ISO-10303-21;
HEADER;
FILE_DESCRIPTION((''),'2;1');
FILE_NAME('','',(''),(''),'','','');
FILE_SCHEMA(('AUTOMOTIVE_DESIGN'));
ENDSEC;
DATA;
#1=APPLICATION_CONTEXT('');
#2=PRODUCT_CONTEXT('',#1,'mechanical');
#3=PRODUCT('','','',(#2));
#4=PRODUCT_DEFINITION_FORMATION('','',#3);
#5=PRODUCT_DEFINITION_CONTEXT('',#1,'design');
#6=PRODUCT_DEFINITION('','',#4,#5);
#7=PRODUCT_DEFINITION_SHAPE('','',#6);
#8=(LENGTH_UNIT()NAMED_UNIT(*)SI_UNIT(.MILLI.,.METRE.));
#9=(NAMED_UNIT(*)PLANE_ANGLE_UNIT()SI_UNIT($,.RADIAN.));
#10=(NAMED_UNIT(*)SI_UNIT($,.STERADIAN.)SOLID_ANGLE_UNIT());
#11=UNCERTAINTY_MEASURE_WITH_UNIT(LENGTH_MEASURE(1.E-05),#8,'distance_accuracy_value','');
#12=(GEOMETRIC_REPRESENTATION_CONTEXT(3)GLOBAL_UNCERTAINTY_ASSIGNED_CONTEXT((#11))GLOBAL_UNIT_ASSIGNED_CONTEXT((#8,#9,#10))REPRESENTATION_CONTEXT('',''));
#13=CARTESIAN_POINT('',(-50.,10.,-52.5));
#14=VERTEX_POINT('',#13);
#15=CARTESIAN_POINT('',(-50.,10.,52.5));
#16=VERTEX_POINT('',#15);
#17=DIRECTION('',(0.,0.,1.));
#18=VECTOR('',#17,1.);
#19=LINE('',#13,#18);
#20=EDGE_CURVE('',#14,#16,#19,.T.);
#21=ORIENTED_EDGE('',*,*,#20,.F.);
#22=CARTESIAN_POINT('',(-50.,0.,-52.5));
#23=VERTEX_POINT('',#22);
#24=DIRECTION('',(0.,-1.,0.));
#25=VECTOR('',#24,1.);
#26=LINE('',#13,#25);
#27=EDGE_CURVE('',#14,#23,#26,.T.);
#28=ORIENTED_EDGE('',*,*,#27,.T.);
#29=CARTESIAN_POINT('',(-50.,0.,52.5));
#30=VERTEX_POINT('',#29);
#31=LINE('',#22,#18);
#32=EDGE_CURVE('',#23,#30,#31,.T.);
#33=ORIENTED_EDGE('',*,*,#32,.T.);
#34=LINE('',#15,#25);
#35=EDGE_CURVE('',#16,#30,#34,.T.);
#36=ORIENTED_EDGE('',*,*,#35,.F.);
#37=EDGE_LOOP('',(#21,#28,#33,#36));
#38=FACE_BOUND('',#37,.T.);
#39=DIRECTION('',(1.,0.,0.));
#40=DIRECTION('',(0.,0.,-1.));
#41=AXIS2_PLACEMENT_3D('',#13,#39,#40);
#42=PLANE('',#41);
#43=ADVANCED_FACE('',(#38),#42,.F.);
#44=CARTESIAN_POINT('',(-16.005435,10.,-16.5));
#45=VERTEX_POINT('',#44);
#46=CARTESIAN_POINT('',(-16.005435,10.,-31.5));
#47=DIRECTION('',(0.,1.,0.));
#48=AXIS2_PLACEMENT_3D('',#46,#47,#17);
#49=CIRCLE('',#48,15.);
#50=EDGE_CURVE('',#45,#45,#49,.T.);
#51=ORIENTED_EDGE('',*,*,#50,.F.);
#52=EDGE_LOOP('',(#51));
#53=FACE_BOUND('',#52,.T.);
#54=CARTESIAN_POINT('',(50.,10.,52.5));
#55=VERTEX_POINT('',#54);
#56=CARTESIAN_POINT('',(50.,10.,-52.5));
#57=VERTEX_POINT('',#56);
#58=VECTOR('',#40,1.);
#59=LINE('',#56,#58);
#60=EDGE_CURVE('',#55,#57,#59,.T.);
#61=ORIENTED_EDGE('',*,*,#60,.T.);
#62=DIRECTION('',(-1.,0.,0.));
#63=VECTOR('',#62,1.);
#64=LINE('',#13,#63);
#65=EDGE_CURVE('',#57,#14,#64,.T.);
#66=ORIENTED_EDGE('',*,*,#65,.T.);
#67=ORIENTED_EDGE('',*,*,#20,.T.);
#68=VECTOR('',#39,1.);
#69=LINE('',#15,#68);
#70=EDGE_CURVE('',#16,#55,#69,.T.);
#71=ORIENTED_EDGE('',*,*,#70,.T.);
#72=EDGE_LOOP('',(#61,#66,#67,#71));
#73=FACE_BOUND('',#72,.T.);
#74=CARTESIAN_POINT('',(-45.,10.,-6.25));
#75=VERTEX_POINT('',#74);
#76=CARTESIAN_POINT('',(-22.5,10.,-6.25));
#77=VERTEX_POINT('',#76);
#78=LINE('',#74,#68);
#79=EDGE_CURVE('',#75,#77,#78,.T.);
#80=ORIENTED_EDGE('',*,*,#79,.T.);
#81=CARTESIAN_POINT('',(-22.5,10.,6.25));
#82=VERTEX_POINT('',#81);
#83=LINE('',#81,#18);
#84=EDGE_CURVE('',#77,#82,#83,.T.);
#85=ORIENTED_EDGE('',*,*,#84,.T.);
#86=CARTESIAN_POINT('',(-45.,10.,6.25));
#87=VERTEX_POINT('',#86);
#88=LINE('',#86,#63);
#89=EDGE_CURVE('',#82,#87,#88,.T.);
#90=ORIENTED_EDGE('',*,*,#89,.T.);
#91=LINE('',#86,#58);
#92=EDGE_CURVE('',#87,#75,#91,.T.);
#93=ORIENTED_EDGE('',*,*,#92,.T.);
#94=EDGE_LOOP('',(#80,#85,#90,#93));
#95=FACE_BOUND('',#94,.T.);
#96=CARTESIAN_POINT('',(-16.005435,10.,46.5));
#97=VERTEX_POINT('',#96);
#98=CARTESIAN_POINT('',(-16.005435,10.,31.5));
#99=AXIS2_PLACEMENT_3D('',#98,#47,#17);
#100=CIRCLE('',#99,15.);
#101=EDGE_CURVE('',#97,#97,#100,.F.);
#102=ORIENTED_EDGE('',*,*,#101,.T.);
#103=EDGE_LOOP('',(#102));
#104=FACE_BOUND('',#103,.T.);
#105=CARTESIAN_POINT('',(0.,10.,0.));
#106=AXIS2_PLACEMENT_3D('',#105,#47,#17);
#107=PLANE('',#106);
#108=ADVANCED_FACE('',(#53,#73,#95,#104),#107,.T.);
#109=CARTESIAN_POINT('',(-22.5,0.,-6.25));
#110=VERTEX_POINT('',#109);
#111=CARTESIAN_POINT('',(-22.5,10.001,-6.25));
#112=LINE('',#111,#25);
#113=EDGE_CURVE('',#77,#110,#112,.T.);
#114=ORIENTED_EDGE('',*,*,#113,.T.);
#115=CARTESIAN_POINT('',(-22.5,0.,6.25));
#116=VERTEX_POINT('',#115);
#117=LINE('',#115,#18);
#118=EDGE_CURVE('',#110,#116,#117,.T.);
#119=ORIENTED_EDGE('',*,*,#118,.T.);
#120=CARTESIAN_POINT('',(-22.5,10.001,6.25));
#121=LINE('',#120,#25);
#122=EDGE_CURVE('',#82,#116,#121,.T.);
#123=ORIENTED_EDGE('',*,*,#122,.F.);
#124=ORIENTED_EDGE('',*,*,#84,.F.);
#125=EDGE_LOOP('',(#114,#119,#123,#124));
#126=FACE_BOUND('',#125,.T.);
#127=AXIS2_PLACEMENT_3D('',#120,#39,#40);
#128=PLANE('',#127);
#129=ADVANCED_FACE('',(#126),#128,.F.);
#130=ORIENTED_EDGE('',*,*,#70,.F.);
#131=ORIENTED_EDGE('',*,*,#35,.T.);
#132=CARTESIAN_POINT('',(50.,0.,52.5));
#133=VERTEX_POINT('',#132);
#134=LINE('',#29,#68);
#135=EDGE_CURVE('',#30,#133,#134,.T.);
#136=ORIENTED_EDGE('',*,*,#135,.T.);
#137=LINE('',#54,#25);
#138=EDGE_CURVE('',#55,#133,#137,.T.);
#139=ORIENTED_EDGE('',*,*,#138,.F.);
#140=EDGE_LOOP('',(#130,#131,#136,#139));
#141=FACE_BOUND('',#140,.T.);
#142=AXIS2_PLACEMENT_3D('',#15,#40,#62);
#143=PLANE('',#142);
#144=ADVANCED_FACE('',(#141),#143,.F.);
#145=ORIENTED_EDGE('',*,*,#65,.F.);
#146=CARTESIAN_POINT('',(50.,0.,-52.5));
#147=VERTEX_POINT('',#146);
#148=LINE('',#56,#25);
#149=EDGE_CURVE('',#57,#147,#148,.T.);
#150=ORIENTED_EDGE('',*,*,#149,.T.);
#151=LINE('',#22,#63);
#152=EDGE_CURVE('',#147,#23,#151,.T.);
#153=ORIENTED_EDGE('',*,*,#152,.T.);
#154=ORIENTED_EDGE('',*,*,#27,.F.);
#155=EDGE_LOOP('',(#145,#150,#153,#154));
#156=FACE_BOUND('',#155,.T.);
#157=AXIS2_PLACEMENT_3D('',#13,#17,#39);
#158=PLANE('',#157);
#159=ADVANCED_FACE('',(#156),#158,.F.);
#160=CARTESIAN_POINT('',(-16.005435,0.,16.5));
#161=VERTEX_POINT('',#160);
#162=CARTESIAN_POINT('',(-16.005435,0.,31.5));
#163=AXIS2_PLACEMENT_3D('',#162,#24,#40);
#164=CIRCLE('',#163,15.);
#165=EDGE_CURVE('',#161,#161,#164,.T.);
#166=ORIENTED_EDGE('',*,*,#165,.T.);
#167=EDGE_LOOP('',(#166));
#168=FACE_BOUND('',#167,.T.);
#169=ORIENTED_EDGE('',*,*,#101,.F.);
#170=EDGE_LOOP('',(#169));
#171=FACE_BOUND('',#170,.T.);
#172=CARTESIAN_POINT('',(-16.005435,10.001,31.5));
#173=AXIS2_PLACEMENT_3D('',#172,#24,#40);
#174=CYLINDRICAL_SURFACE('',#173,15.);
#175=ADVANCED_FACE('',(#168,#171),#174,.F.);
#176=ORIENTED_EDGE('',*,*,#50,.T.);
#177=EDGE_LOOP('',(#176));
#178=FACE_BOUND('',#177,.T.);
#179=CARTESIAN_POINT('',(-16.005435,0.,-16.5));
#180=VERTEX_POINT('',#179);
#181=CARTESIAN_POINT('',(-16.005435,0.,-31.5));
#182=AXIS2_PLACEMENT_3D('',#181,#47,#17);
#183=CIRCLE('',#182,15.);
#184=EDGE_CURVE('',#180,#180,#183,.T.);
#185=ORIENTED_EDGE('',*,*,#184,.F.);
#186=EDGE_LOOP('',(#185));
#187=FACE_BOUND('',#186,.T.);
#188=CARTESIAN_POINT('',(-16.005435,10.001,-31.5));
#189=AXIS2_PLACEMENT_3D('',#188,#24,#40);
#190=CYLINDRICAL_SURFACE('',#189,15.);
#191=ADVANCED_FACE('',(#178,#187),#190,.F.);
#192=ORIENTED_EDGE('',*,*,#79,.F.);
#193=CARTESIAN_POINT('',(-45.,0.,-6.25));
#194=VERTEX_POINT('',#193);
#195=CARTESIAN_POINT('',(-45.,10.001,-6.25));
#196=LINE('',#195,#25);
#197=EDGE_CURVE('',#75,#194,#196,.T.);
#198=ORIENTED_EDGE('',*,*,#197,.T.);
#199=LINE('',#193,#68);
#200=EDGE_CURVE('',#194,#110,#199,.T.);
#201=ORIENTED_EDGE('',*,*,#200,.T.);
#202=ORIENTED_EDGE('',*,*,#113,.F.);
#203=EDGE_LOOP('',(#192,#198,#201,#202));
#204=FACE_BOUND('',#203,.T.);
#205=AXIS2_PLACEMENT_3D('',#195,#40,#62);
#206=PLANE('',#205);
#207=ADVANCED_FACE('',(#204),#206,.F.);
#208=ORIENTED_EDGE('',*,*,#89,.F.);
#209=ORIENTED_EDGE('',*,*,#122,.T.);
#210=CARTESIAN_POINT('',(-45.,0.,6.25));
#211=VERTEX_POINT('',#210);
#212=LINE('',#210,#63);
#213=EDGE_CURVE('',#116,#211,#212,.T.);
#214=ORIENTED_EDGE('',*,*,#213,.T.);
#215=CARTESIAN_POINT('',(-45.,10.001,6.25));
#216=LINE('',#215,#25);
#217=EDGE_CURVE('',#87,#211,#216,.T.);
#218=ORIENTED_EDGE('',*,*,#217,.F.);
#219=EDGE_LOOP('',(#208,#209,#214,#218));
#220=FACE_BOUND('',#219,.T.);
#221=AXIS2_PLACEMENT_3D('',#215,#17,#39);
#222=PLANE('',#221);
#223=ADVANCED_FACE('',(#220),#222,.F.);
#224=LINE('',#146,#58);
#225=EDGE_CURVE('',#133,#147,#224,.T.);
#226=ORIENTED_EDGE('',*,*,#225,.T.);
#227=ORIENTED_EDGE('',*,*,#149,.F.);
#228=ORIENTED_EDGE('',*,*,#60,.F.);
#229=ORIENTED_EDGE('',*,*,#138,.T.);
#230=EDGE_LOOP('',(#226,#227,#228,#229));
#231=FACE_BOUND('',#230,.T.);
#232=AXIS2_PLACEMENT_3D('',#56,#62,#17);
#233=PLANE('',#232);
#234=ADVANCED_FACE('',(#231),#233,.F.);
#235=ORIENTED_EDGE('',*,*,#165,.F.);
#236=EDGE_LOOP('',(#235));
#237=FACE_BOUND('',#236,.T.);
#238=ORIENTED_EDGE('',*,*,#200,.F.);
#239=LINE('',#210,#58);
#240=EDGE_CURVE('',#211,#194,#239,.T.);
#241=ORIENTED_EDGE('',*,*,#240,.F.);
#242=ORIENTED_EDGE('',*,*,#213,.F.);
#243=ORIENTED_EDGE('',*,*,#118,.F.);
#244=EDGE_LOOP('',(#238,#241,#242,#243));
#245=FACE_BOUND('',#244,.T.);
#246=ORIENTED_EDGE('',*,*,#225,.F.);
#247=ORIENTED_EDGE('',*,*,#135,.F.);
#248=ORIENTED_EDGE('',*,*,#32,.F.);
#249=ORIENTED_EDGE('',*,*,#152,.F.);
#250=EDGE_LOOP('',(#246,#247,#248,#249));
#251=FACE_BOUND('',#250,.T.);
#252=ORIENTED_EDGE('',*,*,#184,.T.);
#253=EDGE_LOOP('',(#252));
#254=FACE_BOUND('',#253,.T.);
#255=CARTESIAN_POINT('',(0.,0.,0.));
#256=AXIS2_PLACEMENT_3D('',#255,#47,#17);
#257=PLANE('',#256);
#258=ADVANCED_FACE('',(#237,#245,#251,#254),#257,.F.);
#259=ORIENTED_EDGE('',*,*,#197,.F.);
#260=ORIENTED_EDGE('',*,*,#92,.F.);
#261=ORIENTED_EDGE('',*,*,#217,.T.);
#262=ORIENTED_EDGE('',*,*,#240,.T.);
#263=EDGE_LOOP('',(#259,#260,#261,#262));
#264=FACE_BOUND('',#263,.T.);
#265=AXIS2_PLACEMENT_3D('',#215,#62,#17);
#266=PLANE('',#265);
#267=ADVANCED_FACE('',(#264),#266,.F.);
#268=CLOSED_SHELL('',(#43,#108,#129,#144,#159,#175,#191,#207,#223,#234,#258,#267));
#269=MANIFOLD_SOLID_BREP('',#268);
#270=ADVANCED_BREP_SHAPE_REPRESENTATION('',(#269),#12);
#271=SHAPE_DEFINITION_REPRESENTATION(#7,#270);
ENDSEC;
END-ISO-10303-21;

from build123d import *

# Parameters (mm, degrees)
SKETCH2_W           = 100
SKETCH2_H           = 105
BOSS_EXTRUDE1_DEPTH = 10
CUT_EXTRUDE1_REACH  = 75.186
SKETCH5_R           = 15
SKETCH5_R_2         = 5
CUT_EXTRUDE2_REACH  = 75.186
SKETCH6_W           = 22.5
SKETCH6_H           = 12.5


with BuildPart() as part:
    # Sketch2 → Boss-Extrude1 (new body)
    with BuildSketch(Plane(origin=(0, 0, 0), x_dir=(1, 0, 0), z_dir=(0, 1, 0))):
        Rectangle(SKETCH2_W, SKETCH2_H)
    extrude(amount=BOSS_EXTRUDE1_DEPTH)

    # Sketch5 → Cut-Extrude1 (cut, up to next)
    with BuildSketch(Plane.XZ, mode=Mode.PRIVATE) as cut_extrude1_sk1:
        with Locations(Location((-16.005435425, 31.5, 0), (0, 0, 270))):
            Circle(SKETCH5_R)
    cut_extrude1_tool1 = extrude(cut_extrude1_sk1.sketch, amount=-CUT_EXTRUDE1_REACH, mode=Mode.PRIVATE) & part.part
    # Sketch5 → Cut-Extrude1 (cut, up to next)
    with BuildSketch(Plane.XZ, mode=Mode.PRIVATE) as cut_extrude1_sk2:
        with Locations(Location((-39, 0, 0), (0, 0, 270))):
            Circle(SKETCH5_R_2)
    cut_extrude1_tool2 = extrude(cut_extrude1_sk2.sketch, amount=-CUT_EXTRUDE1_REACH, mode=Mode.PRIVATE) & part.part
    cut_extrude1_1 = cut_extrude1_tool1.solids().sort_by_distance((-16.005435, 0, 31.5))[0]
    add(cut_extrude1_1, mode=Mode.SUBTRACT)
    cut_extrude1_2 = cut_extrude1_tool2.solids().sort_by_distance((-39, 0, 0))[0]
    add(cut_extrude1_2, mode=Mode.SUBTRACT)
    cut_extrude1 = cut_extrude1_1 + cut_extrude1_2  # Cut-Extrude1 as one shape, for the pattern or mirror that repeats it

    # Mirror1: Cut-Extrude1 across plane
    add(cut_extrude1.mirror(Plane.XY), mode=Mode.SUBTRACT)

    # Sketch6 → Cut-Extrude2 (cut, up to next)
    with BuildSketch(Plane.XZ, mode=Mode.PRIVATE) as cut_extrude2_sk1:
        with Locations((-33.75, 0)):
            Rectangle(SKETCH6_W, SKETCH6_H)
    cut_extrude2_tool1 = extrude(cut_extrude2_sk1.sketch, amount=-CUT_EXTRUDE2_REACH, mode=Mode.PRIVATE) & part.part
    add(cut_extrude2_tool1.solids().sort_by_distance((-33.75, 0, 0))[0], mode=Mode.SUBTRACT)


solid = part.part
